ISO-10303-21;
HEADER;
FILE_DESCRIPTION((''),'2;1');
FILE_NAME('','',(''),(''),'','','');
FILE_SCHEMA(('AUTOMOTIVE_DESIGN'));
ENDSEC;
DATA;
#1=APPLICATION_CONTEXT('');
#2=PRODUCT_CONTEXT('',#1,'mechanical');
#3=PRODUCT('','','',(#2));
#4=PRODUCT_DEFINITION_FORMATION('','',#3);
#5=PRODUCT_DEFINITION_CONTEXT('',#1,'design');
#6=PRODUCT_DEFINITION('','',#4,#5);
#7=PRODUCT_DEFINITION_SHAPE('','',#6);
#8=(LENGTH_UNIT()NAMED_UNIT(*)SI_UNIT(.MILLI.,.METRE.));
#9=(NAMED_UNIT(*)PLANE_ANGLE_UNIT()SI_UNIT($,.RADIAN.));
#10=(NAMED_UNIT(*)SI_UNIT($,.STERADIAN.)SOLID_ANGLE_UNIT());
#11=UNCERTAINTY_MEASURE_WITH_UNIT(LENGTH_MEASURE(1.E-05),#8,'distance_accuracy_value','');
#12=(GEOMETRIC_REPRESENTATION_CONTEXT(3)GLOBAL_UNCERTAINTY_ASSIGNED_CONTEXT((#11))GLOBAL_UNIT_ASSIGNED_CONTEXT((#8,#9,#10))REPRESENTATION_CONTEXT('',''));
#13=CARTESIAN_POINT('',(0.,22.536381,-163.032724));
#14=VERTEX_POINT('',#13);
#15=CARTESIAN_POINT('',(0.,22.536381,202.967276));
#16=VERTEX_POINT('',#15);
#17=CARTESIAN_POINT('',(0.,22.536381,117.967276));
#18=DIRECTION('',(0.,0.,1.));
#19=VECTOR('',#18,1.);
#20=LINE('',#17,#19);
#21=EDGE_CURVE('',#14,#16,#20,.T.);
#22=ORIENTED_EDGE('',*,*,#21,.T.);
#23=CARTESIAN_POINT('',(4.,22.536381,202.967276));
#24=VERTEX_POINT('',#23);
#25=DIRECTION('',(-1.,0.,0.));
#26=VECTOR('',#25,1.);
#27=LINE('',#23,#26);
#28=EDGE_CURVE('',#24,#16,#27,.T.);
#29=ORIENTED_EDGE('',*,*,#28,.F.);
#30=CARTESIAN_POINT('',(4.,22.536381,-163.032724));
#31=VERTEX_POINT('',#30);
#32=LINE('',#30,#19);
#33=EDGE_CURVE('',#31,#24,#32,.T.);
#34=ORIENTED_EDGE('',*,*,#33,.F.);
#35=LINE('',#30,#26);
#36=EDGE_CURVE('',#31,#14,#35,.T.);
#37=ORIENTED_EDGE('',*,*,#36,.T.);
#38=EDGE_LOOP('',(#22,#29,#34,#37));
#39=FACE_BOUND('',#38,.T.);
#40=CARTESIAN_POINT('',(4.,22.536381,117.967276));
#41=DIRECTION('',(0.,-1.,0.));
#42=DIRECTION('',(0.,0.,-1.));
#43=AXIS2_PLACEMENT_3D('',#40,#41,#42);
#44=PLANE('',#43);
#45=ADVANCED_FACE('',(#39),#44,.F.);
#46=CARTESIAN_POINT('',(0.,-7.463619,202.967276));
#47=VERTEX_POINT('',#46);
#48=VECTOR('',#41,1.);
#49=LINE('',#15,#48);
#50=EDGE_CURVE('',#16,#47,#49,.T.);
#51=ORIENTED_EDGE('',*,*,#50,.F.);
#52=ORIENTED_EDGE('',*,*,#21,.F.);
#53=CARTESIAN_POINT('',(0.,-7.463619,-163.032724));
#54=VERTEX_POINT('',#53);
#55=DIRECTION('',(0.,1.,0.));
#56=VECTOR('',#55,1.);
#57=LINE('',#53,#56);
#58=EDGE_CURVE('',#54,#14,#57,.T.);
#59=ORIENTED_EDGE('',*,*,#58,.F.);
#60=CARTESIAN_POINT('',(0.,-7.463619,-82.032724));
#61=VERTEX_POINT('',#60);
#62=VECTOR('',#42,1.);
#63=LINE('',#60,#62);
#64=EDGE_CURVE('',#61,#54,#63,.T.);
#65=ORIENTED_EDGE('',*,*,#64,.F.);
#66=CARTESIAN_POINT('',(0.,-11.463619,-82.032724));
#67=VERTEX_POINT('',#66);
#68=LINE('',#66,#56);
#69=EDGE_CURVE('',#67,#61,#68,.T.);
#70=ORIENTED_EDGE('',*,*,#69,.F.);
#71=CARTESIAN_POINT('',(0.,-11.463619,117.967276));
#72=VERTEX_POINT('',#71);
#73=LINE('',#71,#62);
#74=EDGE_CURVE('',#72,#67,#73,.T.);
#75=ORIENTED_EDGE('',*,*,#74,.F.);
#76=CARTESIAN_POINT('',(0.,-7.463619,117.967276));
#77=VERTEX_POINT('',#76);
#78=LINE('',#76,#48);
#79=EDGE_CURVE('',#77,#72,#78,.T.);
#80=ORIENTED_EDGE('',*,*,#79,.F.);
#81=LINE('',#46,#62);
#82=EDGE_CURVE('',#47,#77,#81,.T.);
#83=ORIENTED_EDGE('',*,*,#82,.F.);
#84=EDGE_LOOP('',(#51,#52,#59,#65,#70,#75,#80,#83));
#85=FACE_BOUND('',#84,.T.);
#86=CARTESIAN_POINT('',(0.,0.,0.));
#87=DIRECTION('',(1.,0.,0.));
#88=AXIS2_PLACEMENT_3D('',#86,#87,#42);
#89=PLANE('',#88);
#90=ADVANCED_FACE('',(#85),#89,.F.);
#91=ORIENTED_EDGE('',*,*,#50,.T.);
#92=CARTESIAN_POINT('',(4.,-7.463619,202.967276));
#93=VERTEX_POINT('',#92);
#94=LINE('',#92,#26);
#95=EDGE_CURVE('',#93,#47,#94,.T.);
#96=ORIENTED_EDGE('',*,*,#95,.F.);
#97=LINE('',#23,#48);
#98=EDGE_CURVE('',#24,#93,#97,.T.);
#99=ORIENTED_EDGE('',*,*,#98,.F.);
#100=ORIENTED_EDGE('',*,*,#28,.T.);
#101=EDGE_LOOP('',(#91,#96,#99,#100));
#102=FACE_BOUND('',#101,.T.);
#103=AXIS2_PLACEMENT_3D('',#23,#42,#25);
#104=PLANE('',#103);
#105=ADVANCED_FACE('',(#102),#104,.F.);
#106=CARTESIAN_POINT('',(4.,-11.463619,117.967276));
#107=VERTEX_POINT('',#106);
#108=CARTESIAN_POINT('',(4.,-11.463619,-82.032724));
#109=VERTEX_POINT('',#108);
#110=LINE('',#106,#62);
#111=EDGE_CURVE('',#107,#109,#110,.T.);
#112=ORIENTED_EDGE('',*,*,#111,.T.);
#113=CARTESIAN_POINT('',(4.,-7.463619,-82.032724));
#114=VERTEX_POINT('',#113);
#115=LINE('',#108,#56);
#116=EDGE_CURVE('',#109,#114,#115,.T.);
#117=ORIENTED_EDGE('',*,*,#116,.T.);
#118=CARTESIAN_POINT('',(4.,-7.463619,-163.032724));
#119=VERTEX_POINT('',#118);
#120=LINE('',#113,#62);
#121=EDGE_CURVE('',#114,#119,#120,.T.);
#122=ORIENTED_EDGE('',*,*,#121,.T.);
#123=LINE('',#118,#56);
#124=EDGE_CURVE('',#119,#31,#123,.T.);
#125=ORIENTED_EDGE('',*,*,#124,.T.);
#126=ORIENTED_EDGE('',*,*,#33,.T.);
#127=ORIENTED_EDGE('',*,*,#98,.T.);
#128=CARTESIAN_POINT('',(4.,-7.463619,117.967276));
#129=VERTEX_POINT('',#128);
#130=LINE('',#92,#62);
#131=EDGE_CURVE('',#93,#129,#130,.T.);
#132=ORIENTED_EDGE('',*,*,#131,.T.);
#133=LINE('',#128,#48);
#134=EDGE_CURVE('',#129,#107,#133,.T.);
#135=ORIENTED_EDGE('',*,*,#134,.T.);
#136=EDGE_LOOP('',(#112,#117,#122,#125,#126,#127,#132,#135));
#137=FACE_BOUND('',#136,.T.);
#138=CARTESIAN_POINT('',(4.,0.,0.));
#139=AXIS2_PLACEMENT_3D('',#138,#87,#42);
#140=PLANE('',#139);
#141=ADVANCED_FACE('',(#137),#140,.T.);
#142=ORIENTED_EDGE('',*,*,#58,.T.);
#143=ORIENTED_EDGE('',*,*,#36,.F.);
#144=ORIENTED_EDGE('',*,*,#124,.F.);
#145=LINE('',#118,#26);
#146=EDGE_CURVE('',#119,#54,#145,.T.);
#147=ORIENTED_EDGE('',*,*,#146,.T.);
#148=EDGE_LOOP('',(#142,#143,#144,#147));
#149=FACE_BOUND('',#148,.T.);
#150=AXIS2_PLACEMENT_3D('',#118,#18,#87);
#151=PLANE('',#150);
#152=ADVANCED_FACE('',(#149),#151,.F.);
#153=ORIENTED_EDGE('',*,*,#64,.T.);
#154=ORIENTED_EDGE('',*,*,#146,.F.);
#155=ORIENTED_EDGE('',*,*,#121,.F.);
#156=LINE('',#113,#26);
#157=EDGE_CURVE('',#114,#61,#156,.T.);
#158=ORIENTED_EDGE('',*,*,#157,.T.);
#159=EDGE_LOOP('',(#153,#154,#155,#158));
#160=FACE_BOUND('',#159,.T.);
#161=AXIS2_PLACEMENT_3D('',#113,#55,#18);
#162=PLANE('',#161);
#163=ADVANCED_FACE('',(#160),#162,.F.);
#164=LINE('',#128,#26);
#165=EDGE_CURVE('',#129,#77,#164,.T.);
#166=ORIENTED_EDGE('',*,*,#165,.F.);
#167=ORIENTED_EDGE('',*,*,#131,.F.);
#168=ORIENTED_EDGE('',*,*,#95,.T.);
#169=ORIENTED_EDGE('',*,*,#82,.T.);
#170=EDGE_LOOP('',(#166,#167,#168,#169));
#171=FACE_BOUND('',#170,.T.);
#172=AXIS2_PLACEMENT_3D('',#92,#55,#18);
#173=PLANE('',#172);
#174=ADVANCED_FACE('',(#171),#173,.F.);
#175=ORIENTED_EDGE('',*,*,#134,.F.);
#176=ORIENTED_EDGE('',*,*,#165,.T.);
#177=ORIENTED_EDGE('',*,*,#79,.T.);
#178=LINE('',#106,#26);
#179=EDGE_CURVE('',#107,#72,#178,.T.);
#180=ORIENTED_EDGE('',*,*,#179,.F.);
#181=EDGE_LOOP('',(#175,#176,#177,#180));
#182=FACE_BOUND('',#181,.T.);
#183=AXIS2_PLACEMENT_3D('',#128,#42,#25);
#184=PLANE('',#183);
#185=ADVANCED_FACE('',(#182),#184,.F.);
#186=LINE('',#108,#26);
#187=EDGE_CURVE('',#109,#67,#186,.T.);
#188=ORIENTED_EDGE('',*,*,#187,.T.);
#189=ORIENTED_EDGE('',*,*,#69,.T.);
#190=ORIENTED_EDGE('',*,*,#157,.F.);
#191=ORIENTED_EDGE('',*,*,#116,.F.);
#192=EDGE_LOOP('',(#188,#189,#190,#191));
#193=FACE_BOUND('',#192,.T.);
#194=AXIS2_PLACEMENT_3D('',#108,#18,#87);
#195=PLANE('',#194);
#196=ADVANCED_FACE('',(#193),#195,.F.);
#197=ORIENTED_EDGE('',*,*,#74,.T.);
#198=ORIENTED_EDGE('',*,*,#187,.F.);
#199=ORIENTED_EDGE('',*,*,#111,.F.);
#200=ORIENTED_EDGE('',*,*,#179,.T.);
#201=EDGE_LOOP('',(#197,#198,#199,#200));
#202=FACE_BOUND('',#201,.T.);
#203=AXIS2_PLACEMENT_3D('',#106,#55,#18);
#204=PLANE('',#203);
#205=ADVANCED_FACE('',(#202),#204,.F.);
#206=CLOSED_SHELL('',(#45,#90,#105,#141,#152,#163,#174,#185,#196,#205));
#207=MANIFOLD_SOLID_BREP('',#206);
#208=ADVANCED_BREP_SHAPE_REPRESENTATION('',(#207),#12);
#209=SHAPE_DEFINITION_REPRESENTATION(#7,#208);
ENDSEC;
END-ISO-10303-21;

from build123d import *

# Parameters (mm, degrees)
BOSS_EXTRUDE1_DEPTH = 4


with BuildPart() as part:
    # Sketch1 → Boss-Extrude1 (new body)
    with BuildSketch(Plane(origin=(0, 0, 0), x_dir=(0, 0, -1), z_dir=(1, 0, 0))):
        Polygon((-117.967275659, -11.463619022), (82.032724341, -11.463619022), (82.032724341, -7.463619022), (163.032724341, -7.463619022), (163.032724341, 22.536380978), (82.032724341, 22.536380978), (-117.967275659, 22.536380978), (-202.967275659, 22.536380978), (-202.967275659, -7.463619022), (-117.967275659, -7.463619022), align=None)
    extrude(amount=BOSS_EXTRUDE1_DEPTH)


solid = part.part
